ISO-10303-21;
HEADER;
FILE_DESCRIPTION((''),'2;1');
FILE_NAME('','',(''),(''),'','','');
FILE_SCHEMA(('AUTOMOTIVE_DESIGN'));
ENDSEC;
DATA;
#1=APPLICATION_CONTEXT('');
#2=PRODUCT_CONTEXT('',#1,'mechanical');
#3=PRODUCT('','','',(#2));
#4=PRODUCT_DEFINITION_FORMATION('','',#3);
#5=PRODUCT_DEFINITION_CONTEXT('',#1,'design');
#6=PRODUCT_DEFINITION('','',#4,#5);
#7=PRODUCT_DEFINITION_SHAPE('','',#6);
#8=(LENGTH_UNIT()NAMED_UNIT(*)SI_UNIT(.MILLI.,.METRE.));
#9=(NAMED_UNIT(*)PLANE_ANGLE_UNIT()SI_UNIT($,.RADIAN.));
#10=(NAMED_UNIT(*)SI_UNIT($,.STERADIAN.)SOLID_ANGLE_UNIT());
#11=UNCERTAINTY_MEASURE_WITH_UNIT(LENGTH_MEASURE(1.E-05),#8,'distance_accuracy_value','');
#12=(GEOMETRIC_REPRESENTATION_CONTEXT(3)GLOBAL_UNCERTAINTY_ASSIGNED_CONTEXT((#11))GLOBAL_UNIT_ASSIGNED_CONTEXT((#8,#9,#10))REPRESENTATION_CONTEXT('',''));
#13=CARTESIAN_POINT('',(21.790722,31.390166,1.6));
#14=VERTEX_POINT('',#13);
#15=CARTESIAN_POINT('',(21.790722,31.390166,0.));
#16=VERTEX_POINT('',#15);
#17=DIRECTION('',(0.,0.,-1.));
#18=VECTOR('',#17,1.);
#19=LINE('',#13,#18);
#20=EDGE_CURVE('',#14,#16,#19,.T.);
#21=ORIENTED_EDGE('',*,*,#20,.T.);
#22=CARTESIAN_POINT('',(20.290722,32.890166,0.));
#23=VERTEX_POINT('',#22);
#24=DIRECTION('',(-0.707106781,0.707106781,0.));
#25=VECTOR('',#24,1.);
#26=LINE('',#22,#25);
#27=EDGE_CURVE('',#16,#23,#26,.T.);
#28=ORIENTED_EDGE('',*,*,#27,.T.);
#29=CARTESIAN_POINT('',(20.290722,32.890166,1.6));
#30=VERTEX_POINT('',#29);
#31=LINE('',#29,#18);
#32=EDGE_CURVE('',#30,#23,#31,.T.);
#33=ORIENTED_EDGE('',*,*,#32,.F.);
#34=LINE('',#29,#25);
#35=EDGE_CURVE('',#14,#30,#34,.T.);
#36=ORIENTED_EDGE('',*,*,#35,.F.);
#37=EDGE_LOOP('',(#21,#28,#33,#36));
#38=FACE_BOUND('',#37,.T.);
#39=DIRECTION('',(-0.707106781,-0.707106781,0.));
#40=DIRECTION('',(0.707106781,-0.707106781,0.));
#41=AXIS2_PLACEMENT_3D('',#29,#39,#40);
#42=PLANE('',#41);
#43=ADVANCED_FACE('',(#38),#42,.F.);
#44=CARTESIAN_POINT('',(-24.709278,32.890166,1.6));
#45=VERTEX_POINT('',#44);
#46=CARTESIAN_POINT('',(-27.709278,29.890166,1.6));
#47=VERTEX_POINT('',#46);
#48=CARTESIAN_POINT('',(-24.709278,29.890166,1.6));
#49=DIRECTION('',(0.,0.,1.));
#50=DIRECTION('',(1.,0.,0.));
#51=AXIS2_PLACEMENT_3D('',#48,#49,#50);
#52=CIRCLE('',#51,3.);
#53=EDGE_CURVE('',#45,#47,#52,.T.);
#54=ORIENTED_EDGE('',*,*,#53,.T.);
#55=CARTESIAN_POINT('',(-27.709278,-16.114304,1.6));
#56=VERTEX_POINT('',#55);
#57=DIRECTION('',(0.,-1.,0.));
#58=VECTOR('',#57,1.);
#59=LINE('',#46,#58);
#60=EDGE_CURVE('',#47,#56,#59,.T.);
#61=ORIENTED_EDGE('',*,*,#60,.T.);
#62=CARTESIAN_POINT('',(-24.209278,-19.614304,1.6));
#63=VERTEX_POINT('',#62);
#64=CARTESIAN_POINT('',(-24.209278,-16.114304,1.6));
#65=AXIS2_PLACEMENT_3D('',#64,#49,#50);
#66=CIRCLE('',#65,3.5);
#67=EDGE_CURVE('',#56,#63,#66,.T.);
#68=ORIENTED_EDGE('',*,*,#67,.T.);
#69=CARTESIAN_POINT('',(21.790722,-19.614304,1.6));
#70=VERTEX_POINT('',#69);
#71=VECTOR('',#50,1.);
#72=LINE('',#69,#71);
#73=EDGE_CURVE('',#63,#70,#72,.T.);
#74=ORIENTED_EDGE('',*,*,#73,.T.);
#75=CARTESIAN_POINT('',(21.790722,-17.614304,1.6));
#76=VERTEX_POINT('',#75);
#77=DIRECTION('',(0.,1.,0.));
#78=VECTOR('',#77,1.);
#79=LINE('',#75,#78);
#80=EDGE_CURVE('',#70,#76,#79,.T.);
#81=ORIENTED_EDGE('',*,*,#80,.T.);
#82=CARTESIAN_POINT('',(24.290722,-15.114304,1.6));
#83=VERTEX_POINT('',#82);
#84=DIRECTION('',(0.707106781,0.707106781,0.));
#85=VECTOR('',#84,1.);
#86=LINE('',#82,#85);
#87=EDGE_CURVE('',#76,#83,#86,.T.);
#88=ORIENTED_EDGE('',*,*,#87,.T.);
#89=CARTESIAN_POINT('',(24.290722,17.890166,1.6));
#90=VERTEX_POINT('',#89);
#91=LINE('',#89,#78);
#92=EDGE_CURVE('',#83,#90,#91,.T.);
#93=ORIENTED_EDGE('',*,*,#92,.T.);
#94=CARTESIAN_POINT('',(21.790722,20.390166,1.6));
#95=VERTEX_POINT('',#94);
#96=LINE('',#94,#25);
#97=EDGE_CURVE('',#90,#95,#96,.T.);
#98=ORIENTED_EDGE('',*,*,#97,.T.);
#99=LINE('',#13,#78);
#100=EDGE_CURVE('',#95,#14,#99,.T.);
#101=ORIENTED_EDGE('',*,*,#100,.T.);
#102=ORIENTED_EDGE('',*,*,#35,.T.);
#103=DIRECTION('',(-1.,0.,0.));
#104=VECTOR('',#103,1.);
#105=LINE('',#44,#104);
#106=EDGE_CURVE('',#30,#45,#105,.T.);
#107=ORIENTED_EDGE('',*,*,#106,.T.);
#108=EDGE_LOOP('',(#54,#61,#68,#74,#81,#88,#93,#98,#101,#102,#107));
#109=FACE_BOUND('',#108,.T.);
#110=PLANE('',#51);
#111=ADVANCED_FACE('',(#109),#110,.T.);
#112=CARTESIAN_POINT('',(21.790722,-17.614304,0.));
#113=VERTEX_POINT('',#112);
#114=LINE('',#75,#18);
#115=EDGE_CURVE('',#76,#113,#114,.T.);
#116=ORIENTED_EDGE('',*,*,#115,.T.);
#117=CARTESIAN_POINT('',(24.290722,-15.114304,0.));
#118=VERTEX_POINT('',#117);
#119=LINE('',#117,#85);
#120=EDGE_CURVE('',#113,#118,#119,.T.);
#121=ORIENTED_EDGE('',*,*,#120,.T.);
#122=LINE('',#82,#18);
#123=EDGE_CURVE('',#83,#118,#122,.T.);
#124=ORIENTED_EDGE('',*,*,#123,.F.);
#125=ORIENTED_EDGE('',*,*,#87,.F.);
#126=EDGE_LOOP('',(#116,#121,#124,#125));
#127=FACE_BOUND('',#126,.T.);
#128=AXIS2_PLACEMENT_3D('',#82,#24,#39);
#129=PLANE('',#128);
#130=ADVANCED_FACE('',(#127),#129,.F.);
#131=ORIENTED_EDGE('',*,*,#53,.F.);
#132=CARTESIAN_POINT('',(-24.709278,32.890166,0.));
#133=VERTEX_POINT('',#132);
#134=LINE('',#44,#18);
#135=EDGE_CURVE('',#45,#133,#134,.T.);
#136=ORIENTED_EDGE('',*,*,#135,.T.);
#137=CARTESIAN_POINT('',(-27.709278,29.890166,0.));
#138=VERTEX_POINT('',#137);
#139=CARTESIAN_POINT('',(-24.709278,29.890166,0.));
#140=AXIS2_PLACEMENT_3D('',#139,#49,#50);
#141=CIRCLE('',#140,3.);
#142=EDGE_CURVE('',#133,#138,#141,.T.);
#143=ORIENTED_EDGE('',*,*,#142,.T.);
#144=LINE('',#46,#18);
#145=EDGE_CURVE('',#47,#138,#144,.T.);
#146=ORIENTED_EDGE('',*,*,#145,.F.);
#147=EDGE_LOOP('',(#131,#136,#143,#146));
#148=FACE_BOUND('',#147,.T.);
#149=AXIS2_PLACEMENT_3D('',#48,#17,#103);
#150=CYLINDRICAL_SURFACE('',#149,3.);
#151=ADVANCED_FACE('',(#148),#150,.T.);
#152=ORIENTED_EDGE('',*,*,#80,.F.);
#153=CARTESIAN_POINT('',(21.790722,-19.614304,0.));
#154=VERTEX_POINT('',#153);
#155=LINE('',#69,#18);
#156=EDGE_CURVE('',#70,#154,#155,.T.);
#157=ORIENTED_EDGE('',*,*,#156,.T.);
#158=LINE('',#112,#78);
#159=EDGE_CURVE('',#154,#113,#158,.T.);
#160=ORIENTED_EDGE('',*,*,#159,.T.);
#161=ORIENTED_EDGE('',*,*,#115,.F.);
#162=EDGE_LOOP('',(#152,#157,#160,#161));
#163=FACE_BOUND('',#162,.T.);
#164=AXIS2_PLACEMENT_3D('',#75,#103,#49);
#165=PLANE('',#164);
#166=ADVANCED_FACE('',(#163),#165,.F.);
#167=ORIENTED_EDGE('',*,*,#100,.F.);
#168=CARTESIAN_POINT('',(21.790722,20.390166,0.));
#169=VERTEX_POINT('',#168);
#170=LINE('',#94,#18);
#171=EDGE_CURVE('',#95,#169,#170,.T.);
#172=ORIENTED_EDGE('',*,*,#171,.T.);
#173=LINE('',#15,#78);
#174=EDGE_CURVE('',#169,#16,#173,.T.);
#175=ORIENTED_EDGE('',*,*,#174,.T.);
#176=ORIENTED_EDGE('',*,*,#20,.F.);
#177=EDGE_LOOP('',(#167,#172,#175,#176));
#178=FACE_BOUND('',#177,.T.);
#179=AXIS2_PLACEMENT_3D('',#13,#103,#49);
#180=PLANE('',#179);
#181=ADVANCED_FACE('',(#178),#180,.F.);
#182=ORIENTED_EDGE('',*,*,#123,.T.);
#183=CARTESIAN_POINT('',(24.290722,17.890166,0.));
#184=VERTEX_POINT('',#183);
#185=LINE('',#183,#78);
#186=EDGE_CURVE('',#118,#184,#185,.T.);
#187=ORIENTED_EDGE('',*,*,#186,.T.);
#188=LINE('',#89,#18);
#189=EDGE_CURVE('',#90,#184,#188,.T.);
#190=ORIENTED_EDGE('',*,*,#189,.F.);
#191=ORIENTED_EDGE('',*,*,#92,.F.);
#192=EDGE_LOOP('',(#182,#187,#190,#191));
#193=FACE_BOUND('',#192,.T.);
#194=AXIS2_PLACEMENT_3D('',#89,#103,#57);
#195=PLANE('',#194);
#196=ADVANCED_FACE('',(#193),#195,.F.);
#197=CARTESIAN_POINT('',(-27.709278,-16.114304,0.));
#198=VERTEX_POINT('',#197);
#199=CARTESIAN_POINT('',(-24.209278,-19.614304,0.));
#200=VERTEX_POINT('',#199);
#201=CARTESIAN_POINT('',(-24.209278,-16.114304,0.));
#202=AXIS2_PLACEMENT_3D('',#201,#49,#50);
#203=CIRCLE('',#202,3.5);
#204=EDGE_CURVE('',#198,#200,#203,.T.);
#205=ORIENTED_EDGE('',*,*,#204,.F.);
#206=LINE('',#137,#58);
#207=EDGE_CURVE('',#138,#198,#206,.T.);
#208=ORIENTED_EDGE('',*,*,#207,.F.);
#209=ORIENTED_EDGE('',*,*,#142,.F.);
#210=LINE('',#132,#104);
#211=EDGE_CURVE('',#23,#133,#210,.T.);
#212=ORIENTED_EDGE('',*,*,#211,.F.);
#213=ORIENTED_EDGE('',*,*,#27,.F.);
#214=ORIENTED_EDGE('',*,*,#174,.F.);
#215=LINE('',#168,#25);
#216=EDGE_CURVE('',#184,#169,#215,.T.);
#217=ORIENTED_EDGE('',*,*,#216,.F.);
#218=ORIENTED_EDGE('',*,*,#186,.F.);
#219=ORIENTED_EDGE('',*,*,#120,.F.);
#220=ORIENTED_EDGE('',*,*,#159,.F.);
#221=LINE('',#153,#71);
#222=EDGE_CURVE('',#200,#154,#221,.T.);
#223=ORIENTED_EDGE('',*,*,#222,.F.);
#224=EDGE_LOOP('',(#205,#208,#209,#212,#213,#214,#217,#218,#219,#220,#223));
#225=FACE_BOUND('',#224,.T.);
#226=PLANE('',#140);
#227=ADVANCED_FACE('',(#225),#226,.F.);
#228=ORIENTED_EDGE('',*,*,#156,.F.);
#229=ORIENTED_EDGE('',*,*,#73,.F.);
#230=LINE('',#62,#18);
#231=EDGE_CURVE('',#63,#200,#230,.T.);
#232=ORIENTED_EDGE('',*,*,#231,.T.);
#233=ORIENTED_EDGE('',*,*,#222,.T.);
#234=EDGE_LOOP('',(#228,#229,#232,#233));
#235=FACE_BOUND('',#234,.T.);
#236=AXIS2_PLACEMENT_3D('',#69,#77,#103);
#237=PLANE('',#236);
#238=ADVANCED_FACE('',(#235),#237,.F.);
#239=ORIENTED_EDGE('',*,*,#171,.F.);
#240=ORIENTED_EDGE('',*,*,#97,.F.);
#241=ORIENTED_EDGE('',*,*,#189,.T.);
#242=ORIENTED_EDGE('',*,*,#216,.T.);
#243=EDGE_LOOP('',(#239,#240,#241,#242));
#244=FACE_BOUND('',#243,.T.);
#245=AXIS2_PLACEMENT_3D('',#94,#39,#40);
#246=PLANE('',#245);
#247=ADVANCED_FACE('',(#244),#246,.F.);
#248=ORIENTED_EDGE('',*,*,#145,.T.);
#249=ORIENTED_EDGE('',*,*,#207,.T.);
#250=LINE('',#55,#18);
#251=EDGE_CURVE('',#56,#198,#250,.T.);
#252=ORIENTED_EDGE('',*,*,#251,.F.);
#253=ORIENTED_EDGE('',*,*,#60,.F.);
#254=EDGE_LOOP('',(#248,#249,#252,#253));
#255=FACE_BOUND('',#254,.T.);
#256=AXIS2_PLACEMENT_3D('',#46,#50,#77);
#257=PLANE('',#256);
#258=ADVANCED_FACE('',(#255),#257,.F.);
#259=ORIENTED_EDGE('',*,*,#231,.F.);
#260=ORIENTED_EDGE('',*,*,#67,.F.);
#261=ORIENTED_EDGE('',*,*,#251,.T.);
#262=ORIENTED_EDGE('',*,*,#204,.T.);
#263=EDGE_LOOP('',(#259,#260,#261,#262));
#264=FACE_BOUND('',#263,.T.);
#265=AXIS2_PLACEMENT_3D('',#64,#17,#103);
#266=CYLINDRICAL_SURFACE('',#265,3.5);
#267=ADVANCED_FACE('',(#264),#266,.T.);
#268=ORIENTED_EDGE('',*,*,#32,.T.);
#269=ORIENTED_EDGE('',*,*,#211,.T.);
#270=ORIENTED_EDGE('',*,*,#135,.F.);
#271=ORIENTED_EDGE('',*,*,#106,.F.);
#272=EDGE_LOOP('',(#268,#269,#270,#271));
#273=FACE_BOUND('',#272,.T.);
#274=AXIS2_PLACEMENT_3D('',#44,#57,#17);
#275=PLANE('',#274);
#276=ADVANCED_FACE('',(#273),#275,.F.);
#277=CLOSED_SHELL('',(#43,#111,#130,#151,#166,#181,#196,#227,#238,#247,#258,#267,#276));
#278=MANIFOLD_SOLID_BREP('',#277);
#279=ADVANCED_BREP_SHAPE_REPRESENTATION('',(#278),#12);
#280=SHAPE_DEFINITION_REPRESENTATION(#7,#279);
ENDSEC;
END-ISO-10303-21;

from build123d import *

# Parameters (mm, degrees)
BOSS_EXTRU_2_DEPTH = 1.6


with BuildPart() as part:
    # Esquisse2 → Boss.-Extru.2 (new body)
    with BuildSketch(Plane.XY):
        with BuildLine():
            Line((-24.709277622, 32.890166177), (20.290722378, 32.890166177))
            Line((20.290722378, 32.890166177), (21.790722378, 31.390166177))
            Line((21.790722378, 31.390166177), (21.790722378, 20.390166177))
            Line((21.790722378, 20.390166177), (24.290722378, 17.890166177))
            Line((24.290722378, 17.890166177), (24.290722378, -15.114304212))
            Line((24.290722378, -15.114304212), (21.790722378, -17.614304212))
            Line((21.790722378, -17.614304212), (21.790722378, -19.614304212))
            Line((21.790722378, -19.614304212), (-24.209277622, -19.614304212))
            ThreePointArc((-24.209277622, -19.614304212), (-26.684151356, -18.589177946), (-27.709277622, -16.114304212))
            Line((-27.709277622, -16.114304212), (-27.709277622, 29.890166177))
            ThreePointArc((-27.709277622, 29.890166177), (-26.830597966, 32.01148652), (-24.709277622, 32.890166177))
        make_face()
    extrude(amount=BOSS_EXTRU_2_DEPTH)


solid = part.part
